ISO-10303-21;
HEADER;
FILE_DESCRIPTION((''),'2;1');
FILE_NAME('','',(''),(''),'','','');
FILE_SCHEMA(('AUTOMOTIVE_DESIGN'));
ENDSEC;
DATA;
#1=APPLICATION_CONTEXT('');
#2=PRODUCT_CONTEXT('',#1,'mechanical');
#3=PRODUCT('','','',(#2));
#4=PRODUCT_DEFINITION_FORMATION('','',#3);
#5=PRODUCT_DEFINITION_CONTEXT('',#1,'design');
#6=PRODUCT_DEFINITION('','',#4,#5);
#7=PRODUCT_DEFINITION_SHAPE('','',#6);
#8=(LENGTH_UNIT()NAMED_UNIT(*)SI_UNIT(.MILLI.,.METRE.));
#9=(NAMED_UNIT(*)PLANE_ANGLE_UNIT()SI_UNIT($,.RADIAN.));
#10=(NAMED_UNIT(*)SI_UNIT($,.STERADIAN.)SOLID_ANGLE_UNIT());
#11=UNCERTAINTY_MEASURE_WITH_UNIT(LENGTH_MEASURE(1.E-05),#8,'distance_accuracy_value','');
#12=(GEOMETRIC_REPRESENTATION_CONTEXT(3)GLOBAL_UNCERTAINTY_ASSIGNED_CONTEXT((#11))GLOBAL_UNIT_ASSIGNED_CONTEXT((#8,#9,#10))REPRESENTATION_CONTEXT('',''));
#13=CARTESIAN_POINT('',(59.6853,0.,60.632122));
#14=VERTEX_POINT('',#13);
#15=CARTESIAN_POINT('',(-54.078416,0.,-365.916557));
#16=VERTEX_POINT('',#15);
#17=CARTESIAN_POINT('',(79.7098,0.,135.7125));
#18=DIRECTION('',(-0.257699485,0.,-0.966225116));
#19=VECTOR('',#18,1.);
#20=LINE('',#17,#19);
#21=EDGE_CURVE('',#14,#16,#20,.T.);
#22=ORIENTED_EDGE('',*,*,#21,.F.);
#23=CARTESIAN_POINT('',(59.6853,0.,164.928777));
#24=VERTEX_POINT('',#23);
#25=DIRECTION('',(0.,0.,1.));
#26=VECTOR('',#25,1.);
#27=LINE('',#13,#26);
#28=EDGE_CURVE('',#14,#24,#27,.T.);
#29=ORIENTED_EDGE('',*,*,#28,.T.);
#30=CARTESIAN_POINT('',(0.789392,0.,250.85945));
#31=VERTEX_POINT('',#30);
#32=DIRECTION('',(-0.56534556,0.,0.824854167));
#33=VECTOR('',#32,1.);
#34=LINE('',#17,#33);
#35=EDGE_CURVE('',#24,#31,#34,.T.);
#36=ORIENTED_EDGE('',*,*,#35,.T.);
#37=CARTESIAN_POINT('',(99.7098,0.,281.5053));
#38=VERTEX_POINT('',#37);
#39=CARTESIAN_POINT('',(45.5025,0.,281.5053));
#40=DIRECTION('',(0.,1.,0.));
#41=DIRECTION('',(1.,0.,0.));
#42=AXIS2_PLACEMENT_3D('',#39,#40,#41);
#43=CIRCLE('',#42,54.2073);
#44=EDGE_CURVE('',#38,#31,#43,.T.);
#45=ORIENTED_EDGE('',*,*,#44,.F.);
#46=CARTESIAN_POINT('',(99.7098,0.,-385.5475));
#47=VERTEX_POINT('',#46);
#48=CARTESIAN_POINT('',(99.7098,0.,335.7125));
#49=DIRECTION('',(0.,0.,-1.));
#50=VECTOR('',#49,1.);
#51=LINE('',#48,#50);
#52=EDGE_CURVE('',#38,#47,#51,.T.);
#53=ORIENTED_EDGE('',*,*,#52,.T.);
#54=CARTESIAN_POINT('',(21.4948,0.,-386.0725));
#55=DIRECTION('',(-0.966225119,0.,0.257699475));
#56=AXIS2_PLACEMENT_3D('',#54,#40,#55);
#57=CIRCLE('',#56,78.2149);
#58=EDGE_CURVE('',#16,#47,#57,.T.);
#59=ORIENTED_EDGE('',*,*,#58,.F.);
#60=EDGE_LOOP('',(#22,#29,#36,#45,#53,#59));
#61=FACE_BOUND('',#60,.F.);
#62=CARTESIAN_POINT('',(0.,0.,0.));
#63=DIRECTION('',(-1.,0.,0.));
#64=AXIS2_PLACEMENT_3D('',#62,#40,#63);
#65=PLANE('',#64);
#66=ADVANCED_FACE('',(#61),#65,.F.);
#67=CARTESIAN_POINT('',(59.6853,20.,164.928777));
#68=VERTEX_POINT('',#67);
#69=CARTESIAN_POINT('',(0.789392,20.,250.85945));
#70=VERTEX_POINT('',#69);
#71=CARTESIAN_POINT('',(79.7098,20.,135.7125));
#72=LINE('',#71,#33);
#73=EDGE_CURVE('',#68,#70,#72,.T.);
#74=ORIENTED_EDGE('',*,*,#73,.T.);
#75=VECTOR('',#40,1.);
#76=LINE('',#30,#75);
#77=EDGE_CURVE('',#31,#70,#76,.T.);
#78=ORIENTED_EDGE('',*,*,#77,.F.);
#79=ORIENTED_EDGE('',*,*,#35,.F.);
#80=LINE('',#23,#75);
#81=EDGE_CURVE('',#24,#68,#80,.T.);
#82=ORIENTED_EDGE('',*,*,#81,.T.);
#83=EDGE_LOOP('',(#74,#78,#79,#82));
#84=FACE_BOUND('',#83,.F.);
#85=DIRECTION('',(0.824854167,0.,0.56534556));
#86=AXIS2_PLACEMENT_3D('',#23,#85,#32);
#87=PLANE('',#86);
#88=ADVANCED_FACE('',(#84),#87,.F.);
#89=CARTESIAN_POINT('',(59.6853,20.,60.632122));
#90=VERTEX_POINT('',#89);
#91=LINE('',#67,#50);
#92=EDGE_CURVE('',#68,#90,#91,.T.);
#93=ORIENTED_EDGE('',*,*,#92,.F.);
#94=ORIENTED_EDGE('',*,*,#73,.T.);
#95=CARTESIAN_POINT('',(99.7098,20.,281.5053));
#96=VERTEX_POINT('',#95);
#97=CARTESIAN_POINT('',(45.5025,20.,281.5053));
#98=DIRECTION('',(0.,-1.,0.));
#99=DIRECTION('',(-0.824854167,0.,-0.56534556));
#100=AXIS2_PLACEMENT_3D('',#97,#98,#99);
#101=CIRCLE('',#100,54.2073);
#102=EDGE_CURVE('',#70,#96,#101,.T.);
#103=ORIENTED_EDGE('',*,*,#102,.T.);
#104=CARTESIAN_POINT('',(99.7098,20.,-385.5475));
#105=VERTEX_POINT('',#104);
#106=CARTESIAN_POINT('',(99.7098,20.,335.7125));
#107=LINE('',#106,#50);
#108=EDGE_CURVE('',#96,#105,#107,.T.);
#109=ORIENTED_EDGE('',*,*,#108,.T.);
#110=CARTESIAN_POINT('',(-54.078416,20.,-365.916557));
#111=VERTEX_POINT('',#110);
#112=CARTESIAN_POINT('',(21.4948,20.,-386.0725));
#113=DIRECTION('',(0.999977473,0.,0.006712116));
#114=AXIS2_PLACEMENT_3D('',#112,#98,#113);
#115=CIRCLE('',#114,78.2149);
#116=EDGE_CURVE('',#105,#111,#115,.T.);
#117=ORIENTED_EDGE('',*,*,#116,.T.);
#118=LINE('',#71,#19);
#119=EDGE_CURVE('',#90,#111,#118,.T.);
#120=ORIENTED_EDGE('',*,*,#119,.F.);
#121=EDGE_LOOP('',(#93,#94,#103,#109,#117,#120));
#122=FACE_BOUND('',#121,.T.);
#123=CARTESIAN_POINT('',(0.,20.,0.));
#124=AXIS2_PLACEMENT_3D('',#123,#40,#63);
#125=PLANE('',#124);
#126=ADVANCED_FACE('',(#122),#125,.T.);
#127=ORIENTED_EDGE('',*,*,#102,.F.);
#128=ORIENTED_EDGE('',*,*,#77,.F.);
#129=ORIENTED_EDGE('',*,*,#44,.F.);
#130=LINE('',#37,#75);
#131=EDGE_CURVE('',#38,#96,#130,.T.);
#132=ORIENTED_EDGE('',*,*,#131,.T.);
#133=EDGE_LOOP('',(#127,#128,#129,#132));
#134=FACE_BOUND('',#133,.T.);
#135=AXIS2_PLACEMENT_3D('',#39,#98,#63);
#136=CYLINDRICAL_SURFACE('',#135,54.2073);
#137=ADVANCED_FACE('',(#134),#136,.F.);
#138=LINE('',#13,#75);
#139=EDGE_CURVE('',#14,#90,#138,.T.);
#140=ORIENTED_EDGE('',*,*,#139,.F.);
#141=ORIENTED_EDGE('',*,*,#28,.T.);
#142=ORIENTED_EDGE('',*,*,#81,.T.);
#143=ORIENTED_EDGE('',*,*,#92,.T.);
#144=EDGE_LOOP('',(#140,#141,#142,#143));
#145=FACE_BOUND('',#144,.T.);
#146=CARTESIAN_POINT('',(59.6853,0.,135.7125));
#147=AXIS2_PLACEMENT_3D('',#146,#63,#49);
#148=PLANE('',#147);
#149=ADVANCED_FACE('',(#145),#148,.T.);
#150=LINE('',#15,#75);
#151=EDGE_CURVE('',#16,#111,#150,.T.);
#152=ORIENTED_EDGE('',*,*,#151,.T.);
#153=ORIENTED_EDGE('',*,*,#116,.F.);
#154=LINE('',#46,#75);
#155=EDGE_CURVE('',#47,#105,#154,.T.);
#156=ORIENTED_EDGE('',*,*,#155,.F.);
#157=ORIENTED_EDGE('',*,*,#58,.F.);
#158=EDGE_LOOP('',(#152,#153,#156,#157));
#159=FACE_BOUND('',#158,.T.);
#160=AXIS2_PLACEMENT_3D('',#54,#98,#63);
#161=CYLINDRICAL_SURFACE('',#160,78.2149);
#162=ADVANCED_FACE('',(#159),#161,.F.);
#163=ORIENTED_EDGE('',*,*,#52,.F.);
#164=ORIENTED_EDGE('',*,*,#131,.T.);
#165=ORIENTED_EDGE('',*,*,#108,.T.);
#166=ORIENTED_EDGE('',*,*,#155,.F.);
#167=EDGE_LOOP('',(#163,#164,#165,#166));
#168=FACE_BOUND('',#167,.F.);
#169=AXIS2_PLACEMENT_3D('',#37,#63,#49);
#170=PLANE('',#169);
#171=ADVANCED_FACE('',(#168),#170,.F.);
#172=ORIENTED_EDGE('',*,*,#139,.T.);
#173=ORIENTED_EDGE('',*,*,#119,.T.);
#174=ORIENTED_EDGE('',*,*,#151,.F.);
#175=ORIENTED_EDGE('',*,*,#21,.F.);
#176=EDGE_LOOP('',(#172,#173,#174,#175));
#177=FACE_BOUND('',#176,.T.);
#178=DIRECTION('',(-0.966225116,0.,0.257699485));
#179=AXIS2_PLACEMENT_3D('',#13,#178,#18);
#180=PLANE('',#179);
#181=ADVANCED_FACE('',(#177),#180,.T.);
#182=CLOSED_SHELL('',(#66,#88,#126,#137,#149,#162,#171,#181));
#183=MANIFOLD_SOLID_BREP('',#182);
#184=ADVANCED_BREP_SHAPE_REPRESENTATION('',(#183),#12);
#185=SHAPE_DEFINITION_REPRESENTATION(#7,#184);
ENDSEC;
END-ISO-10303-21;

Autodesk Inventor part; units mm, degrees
ref_plane "YZ Plane" through (0, 0, 0) normal (1, 0, 0) x (0, 1, 0)
ref_plane "XZ Plane" through (0, 0, 0) normal (0, 1, 0) x (-1, 0, 0)
ref_plane "XY Plane" through (0, 0, 0) normal (0, 0, 1) x (1, 0, 0)
sketch "Sketch1" plane through (0, 0, 0) normal (0, 1, 0) x (-1, 0, 0)
  line L0 (80.3147, 135.7125) -> (-79.6853, 135.7125)
  line L1 (-79.6853, 135.7125) -> (-79.6853, -464.2875)
  line L2 (-79.6853, -464.2875) -> (80.3147, -464.2875)
  line L3 (80.3147, -464.2875) -> (80.3147, 135.7125)
  line L4 (80.3147, 135.7125) -> (-79.7098, 135.7125)
  line L5 (-79.7098, 135.7125) -> (-79.7098, 335.7125)
  line L6 (-79.7098, 335.7125) -> (80.3147, 335.7125)
  line L7 (80.3147, 335.7125) -> (80.3147, 135.7125)
  line L8 (-79.7098, 135.7125) -> (80.3147, -464.2875)
  line L9 (-79.7098, 135.7125) -> (57.3679, 335.7125)
  line L10 (-79.7098, 335.7125) -> (-59.6853, 335.7125)
  line L11 (-59.6853, 335.7125) -> (-59.6853, -464.2875)
  line L12 (-59.6853, -464.2875) -> (-79.7098, -464.2875)
  line L13 (-79.7098, -464.2875) -> (-79.7098, 335.7125)
  line L14 (-79.7098, 335.7125) -> (-99.7098, 335.7125)
  line L15 (-99.7098, 335.7125) -> (-99.7098, -385.5475)
  line L16 (-99.7098, -385.5475) -> (-79.7098, -385.5475)
  line L17 (-79.7098, -385.5475) -> (-79.7098, 335.7125)
  circle A0 centre (-45.5025, 281.5053) radius 54.2073
  circle A1 centre (-21.4948, -386.0725) radius 78.2149
  point P0 (0, 0)
  point P1 (-5.6853, -93.2875)
  point P2 (54.0784, -365.9166)
  point P3 (-59.6853, 60.6323)
  point P4 (-59.6853, 164.9287)
  point P5 (-0.7894, 250.8594)
  point P6 (-99.7098, 281.5053)
  point P7 (-99.7098, -386.0725)
  point P8 (-79.7098, -333.8365)
  point P9 (-79.6853, -333.8093)
  point P10 (-59.6853, 135.7125)
  point P11 (-79.7098, -438.3085)
  point P12 (-79.6853, 135.6209)
  point P13 (-79.7098, 323.5563)
  point P14 (-59.6853, 333.8242)
  point P15 (-45.5025, 335.7125)
  point P16 (-59.6853, 229.1863)
  point P17 (-79.6853, -464.2875)
  point P18 (-79.6853, -438.3357)
  point P19 (-59.6853, -317.8152)
  point P20 (-59.6853, -454.3299)
  point P21 (-21.4948, -464.2875)
  point P22 (-79.7098, 239.4542)
  point P23 (-79.7098, -385.5475)
  point P24 (-79.7098, -333.8365)
  point P25 (-79.7098, -333.8365)
  point P26 (-99.708, -385.5475)
  dimension "d0" = 600
  dimension "d1" = 200
  dimension "d2" = 160
  dimension "d3" = 20
  dimension "d4" = 20
extrude "Extrusion1" add sketch "Sketch1" along normal blind 20 contours L11 L8 L1 L0 | L0 L4 L9 L11 | L1 L8 L4 | L11 A0 L9 | L9 L5 A0 L11 | L11 A1 L1 L8 | L8 A1 L11 | L1 A1 L13 L8 | L13 A1 L15 A0 L5
properties part number "Podstavka"
